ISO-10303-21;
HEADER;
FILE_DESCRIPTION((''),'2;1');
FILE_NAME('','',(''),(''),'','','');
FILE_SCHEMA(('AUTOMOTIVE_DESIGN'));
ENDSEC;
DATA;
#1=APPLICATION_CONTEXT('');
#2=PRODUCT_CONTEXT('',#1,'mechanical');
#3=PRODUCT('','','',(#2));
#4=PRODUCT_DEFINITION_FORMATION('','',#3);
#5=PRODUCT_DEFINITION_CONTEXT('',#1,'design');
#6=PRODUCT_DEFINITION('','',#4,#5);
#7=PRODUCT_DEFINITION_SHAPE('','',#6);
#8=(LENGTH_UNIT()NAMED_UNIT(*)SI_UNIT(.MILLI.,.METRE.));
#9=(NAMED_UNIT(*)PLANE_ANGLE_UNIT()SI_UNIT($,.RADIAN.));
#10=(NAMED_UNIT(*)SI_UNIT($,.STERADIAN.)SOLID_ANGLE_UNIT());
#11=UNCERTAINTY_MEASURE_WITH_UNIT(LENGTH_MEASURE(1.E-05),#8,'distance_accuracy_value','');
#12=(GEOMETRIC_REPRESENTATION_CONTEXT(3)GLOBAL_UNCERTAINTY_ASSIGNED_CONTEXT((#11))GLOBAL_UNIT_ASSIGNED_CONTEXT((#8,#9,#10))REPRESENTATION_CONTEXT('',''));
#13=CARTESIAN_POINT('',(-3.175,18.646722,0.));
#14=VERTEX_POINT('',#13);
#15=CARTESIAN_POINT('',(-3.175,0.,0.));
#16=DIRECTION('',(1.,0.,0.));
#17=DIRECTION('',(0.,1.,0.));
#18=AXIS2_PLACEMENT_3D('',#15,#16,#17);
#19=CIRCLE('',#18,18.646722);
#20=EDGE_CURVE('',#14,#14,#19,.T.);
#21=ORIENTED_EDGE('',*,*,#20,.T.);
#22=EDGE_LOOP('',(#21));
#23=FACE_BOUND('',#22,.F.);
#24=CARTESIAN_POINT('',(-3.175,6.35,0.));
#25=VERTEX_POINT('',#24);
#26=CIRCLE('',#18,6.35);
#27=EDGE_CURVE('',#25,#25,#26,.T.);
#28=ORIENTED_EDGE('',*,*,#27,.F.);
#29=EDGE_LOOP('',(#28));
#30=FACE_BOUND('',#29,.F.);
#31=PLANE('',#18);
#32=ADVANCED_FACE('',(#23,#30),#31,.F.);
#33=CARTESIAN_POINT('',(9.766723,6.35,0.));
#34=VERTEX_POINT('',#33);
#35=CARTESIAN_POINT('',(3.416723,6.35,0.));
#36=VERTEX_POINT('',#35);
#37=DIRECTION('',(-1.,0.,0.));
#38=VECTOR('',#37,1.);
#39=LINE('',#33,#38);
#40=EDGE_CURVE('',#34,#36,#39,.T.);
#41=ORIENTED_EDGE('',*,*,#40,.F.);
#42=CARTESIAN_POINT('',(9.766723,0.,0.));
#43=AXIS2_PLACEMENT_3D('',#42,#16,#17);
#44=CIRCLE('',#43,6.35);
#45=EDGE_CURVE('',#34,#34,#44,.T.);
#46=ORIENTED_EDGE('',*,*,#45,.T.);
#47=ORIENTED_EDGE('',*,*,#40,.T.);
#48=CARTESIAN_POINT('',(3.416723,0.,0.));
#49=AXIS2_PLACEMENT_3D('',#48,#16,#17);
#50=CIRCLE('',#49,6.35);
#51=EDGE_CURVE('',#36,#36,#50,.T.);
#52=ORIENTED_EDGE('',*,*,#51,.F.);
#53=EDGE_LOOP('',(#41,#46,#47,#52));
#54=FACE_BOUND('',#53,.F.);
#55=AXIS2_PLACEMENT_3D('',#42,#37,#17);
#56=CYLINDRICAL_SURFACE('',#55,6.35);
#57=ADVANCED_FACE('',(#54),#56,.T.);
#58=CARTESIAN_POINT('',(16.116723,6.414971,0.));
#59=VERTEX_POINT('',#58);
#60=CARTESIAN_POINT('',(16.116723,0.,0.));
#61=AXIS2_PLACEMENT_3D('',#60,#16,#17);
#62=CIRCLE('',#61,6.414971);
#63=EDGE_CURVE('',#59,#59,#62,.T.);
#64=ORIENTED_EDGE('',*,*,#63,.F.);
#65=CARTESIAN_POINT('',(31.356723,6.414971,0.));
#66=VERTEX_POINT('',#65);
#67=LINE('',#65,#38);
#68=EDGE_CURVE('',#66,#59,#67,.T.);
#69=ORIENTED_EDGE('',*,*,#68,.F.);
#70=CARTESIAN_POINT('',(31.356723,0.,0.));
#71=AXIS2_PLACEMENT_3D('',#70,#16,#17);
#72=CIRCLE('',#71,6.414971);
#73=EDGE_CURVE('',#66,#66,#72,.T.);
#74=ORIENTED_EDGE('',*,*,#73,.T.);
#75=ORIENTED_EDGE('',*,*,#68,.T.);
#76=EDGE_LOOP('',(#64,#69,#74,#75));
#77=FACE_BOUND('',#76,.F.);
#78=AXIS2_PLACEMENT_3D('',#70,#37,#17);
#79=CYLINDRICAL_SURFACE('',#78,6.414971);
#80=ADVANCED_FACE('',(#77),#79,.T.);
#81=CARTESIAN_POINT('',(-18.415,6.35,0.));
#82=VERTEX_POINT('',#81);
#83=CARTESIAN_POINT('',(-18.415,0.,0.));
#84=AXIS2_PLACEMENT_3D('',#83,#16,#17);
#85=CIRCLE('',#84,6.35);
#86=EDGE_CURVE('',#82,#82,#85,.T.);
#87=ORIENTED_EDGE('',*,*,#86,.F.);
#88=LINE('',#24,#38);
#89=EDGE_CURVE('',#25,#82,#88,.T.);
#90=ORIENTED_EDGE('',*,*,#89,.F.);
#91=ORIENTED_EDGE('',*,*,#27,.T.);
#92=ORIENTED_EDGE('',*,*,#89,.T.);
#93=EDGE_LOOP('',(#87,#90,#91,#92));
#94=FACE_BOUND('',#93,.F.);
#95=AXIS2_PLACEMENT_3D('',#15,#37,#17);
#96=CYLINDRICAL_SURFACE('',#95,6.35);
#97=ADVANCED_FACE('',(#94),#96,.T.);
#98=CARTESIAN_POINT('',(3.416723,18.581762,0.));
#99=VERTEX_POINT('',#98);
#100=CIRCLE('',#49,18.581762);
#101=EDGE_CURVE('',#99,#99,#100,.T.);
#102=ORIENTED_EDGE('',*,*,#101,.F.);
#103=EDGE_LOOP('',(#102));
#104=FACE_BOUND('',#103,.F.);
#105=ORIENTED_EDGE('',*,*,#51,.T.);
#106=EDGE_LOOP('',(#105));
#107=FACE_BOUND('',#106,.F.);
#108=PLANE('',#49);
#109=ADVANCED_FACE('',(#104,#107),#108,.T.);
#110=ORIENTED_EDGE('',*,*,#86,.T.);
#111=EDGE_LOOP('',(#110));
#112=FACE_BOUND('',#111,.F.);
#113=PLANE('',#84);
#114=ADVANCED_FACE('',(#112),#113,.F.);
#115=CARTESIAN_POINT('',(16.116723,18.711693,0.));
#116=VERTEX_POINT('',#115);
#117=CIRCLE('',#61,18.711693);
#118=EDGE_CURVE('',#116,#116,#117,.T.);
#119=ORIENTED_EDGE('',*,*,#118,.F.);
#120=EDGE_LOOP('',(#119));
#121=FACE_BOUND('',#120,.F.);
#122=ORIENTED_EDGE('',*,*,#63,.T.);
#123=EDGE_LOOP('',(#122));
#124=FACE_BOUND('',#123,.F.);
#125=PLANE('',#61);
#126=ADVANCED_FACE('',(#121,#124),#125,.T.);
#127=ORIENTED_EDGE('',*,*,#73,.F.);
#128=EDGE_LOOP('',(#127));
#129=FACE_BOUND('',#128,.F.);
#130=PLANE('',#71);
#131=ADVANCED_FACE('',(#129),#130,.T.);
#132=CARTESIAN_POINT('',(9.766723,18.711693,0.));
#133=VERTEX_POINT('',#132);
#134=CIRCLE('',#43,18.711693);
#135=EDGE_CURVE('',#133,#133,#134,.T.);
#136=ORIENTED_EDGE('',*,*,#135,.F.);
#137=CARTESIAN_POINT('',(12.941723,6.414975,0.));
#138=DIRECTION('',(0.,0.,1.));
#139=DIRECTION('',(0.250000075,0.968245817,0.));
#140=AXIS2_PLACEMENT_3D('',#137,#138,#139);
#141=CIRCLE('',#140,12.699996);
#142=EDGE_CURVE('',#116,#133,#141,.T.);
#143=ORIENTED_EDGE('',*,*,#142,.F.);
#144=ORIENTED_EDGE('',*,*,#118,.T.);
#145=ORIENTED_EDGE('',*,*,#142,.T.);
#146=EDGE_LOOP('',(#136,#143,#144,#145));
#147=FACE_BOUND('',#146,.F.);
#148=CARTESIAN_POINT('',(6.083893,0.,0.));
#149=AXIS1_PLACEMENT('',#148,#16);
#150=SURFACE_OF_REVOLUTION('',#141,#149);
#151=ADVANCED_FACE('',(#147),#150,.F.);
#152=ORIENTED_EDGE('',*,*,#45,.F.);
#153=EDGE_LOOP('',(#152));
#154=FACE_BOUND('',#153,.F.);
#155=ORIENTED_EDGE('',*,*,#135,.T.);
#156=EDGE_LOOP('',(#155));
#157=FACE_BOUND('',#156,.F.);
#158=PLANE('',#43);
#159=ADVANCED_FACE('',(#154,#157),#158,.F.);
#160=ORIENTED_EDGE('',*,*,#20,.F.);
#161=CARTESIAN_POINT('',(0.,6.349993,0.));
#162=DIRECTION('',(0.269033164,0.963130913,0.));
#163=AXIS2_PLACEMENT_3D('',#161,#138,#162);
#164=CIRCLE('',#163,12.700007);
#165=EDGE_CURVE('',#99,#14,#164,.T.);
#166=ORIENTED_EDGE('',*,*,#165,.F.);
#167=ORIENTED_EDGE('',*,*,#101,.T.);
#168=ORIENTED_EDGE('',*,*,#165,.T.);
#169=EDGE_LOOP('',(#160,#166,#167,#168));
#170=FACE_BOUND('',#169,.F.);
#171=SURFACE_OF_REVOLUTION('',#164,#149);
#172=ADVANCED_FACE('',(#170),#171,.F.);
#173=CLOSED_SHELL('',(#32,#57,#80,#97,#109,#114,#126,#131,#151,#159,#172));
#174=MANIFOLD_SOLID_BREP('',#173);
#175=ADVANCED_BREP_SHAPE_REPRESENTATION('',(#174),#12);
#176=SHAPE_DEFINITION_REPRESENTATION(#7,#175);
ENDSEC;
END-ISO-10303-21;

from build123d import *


with BuildPart() as f1:
    # F0 (on Top) → F1 (revolve)
    with BuildSketch(Plane.XY):
        with BuildLine():
            ThreePointArc((3.416723, 18.581762), (0.12515, 19.049383), (-3.175, 18.646722))
            Line((-3.175, 18.646722), (-3.175, 6.35))
            Line((-3.175, 6.35), (-18.415, 6.35))
            Line((-18.415, 6.35), (-18.415, 0))
            Line((-18.415, 0), (31.356723, 0))
            Line((31.356723, 0), (31.356723, 6.414971))
            Line((31.356723, 6.414971), (16.116723, 6.414971))
            Line((16.116723, 6.414971), (16.116723, 18.711693))
            ThreePointArc((16.116723, 18.711693), (12.941723, 19.114971), (9.766723, 18.711693))
            Line((9.766723, 18.711693), (9.766723, 6.35))
            Line((9.766723, 6.35), (3.416723, 6.35))
            Line((3.416723, 6.35), (3.416723, 18.581762))
        make_face()
    revolve(axis=Axis((6.083893, 0, 0), (1, 0, 0)))


solid = f1.part
